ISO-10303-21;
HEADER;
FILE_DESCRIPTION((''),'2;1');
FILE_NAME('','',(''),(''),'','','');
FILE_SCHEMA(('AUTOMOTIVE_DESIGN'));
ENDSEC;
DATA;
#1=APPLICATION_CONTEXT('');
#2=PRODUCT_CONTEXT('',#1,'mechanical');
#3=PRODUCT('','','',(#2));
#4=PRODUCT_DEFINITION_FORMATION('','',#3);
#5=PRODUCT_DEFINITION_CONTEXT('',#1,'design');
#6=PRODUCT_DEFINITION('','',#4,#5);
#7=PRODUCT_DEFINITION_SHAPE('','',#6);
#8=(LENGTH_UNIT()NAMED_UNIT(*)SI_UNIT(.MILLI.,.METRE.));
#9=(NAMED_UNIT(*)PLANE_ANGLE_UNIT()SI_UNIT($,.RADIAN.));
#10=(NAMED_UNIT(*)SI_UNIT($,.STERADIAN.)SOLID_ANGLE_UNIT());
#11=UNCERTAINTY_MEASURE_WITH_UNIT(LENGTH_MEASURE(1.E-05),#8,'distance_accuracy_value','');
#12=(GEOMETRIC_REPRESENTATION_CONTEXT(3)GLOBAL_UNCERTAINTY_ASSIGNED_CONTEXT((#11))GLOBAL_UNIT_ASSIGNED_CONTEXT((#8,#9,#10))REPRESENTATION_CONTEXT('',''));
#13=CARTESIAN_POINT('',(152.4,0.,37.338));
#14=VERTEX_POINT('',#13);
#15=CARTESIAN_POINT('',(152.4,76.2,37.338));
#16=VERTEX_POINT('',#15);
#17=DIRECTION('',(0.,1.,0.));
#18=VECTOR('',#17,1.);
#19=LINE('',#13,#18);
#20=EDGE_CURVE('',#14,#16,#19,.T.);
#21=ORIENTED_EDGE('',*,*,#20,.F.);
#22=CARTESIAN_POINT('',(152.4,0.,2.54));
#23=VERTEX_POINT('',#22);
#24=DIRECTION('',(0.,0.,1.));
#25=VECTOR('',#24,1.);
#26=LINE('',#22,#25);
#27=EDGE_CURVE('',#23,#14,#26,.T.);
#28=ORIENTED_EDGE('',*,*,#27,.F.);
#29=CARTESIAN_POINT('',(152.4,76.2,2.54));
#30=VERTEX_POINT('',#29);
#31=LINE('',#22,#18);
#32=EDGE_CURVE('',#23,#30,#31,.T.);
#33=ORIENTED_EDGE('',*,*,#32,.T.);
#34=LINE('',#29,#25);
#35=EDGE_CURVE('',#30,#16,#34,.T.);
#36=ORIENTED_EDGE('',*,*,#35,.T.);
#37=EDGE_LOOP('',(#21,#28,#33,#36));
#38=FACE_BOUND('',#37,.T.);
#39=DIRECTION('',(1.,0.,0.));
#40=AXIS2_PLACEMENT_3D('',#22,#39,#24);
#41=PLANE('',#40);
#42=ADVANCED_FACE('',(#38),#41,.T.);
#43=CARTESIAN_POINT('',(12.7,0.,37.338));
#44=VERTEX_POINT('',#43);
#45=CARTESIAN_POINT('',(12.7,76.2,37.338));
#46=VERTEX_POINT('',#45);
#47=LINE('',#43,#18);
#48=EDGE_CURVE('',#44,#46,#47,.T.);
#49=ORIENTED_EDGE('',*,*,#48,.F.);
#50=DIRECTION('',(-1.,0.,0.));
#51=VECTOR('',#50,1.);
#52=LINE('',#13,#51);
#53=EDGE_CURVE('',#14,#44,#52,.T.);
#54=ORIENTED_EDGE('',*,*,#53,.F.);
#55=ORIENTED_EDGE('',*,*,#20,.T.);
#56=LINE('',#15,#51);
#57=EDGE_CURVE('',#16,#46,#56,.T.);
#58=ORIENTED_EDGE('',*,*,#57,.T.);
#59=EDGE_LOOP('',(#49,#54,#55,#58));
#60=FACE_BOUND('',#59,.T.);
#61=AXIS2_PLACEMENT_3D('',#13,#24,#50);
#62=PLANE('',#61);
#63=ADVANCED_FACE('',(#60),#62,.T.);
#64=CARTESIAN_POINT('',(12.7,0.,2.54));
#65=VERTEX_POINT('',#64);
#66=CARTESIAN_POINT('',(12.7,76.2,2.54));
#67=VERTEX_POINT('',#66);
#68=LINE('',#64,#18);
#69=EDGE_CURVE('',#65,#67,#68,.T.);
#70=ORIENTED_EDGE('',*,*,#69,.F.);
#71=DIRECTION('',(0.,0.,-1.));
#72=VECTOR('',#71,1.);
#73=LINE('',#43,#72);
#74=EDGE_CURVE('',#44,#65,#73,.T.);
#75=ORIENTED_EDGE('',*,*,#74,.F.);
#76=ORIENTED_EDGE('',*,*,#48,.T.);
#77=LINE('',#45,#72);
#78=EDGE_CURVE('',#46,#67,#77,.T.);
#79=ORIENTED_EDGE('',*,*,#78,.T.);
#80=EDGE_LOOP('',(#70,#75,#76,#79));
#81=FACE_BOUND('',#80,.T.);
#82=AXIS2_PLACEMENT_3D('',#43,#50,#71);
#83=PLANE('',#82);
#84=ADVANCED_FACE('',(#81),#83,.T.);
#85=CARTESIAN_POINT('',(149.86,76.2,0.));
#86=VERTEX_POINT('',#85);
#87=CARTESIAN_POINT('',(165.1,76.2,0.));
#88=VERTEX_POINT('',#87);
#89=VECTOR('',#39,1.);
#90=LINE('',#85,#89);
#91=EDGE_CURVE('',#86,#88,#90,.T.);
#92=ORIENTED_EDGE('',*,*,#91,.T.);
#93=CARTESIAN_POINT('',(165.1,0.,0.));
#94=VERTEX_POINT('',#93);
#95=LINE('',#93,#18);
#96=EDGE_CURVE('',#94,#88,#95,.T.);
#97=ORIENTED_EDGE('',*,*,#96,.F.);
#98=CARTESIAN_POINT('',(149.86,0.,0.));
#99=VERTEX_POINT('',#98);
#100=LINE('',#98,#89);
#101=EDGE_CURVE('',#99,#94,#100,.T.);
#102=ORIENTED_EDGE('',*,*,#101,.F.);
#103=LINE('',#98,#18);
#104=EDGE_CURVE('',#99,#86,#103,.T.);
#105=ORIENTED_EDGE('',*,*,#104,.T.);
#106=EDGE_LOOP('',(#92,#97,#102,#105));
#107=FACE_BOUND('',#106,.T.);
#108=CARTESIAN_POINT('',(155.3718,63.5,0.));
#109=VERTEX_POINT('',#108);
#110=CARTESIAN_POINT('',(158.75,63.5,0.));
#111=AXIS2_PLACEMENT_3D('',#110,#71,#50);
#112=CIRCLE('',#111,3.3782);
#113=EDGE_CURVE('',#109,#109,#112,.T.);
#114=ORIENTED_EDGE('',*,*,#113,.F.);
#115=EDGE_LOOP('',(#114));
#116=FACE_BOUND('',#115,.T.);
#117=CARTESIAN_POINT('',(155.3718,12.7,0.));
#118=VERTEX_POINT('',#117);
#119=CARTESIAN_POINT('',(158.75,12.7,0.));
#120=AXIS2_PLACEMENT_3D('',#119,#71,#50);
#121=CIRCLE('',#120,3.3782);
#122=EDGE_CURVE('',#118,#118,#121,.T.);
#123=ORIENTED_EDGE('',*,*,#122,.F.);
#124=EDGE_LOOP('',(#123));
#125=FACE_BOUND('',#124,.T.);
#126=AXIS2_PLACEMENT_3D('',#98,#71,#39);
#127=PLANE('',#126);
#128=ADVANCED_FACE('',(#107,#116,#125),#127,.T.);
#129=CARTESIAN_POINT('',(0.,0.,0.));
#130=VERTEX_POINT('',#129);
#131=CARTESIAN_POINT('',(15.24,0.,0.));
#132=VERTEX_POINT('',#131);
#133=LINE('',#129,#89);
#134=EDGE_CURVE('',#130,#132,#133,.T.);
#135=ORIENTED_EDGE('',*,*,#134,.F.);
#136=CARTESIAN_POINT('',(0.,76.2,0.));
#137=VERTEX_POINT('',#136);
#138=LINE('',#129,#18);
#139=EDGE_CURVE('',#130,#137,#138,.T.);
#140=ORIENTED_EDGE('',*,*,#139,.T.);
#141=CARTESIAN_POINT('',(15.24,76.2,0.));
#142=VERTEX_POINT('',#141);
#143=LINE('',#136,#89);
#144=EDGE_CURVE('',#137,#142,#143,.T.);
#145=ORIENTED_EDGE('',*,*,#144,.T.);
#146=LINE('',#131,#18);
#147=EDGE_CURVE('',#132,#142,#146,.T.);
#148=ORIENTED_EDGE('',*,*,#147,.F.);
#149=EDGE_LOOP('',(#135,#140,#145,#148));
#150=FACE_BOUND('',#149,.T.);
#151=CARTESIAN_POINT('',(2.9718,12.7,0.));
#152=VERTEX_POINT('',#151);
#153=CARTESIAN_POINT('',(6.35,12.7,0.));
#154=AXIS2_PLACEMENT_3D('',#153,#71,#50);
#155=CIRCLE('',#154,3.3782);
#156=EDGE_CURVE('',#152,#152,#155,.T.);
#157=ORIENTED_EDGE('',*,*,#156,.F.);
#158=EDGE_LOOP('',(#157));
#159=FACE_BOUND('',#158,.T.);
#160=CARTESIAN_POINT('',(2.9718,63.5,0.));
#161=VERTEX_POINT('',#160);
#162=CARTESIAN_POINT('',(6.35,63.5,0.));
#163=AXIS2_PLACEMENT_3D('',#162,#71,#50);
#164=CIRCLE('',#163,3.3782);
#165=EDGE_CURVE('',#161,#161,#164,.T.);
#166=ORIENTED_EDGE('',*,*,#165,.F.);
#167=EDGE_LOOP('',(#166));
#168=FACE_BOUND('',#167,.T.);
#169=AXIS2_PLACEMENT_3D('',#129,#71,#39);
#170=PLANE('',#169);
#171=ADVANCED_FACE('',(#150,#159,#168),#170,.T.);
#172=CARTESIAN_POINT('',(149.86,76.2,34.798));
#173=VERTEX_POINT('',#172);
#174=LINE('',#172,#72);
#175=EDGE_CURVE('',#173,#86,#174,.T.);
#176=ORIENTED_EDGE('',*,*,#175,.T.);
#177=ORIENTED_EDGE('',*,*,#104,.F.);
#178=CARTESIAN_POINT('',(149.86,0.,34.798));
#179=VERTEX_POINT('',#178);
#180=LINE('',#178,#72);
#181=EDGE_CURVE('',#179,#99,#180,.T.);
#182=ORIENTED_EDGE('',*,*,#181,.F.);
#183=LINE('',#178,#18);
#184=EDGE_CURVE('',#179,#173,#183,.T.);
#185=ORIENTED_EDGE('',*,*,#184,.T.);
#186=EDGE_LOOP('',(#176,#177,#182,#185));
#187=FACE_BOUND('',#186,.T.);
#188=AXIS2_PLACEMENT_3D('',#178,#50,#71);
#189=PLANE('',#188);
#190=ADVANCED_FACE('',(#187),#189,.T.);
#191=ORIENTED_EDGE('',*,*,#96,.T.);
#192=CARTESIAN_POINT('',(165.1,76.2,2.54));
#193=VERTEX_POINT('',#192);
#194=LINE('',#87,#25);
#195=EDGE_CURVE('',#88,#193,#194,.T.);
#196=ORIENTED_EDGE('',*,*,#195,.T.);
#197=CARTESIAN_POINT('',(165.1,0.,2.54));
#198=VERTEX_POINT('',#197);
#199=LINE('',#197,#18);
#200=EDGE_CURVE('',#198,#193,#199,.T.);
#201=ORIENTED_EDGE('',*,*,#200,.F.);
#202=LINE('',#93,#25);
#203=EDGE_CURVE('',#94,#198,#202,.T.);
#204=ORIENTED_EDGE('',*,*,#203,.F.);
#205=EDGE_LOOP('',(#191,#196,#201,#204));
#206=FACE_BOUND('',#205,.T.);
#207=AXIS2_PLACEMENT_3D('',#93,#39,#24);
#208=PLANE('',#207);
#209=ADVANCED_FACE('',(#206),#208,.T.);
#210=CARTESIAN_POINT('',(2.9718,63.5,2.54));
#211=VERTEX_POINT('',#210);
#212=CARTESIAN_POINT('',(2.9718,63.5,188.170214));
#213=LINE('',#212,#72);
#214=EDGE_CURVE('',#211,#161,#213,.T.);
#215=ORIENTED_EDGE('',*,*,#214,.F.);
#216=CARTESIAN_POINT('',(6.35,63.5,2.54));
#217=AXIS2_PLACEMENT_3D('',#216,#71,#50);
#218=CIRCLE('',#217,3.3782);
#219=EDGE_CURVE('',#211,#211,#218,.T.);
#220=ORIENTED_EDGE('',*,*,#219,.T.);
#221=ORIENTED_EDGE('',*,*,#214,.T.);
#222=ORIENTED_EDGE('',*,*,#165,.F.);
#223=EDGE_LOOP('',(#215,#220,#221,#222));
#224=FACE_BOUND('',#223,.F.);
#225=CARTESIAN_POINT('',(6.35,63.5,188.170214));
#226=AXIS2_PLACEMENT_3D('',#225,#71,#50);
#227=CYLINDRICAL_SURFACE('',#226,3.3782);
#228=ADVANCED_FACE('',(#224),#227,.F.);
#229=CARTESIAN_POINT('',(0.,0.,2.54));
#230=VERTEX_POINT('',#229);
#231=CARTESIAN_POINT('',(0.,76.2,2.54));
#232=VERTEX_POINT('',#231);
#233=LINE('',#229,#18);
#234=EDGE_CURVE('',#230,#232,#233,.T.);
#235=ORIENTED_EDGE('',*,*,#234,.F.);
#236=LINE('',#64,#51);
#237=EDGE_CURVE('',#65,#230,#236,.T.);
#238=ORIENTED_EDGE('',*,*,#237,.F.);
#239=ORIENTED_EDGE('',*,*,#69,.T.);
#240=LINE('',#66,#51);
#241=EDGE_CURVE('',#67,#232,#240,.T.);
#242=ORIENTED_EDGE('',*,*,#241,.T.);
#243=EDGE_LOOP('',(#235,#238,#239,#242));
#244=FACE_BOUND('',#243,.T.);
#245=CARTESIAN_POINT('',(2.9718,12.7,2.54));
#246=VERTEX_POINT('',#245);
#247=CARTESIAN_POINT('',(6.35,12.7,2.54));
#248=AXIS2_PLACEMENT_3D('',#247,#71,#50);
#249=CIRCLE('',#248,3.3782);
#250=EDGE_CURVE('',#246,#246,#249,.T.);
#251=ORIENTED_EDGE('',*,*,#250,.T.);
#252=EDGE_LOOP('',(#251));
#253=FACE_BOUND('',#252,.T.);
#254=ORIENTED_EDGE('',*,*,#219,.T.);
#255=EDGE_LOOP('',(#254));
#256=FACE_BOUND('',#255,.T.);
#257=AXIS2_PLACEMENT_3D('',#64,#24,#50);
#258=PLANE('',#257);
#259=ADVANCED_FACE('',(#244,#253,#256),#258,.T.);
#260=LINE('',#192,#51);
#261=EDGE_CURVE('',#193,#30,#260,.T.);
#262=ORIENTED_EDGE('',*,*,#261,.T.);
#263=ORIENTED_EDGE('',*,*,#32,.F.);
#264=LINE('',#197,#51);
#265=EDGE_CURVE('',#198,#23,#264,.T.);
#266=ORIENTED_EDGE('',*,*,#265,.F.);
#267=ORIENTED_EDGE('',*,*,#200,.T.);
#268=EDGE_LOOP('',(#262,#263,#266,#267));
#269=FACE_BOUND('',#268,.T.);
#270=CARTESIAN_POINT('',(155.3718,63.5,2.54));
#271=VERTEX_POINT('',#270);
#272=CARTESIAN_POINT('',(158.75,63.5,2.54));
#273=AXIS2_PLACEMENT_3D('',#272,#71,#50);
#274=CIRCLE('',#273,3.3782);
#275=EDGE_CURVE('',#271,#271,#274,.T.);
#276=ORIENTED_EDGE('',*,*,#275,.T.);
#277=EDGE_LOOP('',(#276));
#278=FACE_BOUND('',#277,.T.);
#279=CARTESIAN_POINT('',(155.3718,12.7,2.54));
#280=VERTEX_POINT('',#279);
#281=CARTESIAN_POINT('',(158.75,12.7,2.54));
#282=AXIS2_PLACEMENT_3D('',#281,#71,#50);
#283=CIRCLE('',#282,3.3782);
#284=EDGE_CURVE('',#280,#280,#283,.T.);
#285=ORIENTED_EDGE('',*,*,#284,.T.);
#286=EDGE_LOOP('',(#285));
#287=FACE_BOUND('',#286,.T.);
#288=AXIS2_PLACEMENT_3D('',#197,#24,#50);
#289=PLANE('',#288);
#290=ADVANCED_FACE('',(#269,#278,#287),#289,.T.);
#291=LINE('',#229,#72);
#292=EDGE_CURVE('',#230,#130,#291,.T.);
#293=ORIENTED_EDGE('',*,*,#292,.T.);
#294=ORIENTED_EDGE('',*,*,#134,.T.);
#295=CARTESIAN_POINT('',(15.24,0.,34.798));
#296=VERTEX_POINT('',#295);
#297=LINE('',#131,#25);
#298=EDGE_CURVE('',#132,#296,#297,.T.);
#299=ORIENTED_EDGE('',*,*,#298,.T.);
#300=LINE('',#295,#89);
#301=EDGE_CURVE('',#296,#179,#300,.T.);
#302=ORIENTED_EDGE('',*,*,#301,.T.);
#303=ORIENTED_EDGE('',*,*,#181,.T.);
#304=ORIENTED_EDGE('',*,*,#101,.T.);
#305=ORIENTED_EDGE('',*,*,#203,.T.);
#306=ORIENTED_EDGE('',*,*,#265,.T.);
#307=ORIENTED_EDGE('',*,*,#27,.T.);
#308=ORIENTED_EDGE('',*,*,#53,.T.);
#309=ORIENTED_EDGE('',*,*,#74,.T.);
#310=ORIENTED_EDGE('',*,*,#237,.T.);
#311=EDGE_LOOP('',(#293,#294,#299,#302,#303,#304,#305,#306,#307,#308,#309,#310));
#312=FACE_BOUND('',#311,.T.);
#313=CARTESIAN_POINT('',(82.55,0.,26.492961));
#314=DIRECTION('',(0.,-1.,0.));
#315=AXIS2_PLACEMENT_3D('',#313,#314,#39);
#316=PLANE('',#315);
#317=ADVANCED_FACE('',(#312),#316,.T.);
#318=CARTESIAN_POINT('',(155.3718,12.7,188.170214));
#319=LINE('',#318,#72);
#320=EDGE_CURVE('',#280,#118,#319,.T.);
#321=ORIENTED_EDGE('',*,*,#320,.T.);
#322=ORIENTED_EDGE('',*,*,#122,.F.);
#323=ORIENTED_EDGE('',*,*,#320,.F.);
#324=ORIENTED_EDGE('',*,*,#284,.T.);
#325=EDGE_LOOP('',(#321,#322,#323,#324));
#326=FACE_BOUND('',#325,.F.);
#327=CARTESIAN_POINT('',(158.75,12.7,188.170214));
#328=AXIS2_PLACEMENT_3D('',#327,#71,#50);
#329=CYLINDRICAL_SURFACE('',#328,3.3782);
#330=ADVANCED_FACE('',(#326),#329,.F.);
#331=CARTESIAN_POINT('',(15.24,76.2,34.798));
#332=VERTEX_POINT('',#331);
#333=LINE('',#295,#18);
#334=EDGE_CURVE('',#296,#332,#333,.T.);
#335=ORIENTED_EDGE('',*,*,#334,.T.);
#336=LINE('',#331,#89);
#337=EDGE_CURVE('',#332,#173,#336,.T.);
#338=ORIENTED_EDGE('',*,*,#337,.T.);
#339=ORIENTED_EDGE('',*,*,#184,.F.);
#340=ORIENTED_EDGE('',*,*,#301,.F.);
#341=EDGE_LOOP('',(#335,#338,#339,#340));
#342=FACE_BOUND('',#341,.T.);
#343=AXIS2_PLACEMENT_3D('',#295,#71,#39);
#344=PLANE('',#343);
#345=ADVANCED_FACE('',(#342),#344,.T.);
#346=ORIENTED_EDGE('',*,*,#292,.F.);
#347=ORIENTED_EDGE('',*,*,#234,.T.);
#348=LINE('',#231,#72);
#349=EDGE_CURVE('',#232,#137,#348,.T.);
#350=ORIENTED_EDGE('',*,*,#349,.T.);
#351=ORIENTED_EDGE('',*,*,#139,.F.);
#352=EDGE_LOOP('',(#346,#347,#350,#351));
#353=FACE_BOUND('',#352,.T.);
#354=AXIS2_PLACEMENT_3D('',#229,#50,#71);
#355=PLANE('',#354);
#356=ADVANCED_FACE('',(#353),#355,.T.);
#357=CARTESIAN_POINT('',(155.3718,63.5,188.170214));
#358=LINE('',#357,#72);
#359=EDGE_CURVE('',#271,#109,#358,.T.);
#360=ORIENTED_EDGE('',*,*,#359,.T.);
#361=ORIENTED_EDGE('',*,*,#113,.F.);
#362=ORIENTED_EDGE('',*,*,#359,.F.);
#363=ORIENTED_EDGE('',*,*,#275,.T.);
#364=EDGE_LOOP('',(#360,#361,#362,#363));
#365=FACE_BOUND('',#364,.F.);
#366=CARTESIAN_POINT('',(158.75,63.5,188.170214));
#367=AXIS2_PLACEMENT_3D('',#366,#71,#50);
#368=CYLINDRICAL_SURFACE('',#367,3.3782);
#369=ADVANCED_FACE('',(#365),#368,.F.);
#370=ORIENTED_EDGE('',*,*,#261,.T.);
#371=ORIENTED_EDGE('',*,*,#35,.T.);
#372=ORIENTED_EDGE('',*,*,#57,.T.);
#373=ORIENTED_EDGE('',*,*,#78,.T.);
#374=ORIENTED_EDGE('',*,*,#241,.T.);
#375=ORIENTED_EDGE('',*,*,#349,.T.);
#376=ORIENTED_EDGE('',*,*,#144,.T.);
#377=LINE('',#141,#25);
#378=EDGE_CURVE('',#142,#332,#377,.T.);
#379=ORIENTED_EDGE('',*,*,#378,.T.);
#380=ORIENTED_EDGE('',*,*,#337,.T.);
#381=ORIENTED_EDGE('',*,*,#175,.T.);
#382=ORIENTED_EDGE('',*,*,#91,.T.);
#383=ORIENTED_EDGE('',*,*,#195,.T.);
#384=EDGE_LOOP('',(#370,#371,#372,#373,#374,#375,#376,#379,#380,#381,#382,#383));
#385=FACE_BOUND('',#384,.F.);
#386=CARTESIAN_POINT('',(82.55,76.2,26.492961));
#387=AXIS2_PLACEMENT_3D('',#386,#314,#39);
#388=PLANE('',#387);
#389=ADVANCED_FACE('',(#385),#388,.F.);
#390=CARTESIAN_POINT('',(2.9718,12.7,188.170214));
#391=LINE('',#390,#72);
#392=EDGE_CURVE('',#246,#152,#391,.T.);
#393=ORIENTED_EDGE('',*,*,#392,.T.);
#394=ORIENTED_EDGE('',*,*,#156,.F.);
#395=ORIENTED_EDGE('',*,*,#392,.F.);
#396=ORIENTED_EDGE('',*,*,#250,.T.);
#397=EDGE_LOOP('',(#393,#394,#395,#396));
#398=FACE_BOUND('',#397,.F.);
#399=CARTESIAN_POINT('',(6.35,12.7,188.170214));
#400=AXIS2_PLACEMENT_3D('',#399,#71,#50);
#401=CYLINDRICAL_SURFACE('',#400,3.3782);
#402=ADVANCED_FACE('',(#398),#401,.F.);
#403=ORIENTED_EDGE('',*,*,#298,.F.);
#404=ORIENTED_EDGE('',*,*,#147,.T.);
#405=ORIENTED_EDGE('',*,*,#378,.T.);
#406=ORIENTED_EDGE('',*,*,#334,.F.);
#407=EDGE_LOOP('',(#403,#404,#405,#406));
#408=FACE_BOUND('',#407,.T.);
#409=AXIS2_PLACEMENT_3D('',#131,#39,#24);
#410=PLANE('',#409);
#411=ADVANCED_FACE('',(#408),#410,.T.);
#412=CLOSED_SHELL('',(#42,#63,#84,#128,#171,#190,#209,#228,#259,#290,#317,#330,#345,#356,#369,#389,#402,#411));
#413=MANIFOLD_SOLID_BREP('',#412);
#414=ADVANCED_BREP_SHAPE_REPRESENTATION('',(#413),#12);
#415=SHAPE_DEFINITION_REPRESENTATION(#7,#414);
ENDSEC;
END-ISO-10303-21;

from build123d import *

# Parameters (mm, degrees)
F1_DEPTH = 76.2
F3_D     = 6.7564


with BuildPart() as f1:
    # F0 (on Front) → F1 (new body)
    with BuildSketch(Plane.XZ):
        Polygon((0, 2.54), (0, 0), (15.24, 0), (15.24, 34.798), (149.86, 34.798), (149.86, 0), (165.1, 0), (165.1, 2.54), (152.4, 2.54), (152.4, 37.338), (12.7, 37.338), (12.7, 2.54), align=None)
    extrude(amount=-F1_DEPTH)

    # F3 (through all)
    with Locations(Plane.XY.offset(2.54)):
        with Locations((158.75, 63.5), (158.75, 12.7), (6.35, 12.7), (6.35, 63.5)):
            Hole(F3_D / 2)


solid = f1.part
